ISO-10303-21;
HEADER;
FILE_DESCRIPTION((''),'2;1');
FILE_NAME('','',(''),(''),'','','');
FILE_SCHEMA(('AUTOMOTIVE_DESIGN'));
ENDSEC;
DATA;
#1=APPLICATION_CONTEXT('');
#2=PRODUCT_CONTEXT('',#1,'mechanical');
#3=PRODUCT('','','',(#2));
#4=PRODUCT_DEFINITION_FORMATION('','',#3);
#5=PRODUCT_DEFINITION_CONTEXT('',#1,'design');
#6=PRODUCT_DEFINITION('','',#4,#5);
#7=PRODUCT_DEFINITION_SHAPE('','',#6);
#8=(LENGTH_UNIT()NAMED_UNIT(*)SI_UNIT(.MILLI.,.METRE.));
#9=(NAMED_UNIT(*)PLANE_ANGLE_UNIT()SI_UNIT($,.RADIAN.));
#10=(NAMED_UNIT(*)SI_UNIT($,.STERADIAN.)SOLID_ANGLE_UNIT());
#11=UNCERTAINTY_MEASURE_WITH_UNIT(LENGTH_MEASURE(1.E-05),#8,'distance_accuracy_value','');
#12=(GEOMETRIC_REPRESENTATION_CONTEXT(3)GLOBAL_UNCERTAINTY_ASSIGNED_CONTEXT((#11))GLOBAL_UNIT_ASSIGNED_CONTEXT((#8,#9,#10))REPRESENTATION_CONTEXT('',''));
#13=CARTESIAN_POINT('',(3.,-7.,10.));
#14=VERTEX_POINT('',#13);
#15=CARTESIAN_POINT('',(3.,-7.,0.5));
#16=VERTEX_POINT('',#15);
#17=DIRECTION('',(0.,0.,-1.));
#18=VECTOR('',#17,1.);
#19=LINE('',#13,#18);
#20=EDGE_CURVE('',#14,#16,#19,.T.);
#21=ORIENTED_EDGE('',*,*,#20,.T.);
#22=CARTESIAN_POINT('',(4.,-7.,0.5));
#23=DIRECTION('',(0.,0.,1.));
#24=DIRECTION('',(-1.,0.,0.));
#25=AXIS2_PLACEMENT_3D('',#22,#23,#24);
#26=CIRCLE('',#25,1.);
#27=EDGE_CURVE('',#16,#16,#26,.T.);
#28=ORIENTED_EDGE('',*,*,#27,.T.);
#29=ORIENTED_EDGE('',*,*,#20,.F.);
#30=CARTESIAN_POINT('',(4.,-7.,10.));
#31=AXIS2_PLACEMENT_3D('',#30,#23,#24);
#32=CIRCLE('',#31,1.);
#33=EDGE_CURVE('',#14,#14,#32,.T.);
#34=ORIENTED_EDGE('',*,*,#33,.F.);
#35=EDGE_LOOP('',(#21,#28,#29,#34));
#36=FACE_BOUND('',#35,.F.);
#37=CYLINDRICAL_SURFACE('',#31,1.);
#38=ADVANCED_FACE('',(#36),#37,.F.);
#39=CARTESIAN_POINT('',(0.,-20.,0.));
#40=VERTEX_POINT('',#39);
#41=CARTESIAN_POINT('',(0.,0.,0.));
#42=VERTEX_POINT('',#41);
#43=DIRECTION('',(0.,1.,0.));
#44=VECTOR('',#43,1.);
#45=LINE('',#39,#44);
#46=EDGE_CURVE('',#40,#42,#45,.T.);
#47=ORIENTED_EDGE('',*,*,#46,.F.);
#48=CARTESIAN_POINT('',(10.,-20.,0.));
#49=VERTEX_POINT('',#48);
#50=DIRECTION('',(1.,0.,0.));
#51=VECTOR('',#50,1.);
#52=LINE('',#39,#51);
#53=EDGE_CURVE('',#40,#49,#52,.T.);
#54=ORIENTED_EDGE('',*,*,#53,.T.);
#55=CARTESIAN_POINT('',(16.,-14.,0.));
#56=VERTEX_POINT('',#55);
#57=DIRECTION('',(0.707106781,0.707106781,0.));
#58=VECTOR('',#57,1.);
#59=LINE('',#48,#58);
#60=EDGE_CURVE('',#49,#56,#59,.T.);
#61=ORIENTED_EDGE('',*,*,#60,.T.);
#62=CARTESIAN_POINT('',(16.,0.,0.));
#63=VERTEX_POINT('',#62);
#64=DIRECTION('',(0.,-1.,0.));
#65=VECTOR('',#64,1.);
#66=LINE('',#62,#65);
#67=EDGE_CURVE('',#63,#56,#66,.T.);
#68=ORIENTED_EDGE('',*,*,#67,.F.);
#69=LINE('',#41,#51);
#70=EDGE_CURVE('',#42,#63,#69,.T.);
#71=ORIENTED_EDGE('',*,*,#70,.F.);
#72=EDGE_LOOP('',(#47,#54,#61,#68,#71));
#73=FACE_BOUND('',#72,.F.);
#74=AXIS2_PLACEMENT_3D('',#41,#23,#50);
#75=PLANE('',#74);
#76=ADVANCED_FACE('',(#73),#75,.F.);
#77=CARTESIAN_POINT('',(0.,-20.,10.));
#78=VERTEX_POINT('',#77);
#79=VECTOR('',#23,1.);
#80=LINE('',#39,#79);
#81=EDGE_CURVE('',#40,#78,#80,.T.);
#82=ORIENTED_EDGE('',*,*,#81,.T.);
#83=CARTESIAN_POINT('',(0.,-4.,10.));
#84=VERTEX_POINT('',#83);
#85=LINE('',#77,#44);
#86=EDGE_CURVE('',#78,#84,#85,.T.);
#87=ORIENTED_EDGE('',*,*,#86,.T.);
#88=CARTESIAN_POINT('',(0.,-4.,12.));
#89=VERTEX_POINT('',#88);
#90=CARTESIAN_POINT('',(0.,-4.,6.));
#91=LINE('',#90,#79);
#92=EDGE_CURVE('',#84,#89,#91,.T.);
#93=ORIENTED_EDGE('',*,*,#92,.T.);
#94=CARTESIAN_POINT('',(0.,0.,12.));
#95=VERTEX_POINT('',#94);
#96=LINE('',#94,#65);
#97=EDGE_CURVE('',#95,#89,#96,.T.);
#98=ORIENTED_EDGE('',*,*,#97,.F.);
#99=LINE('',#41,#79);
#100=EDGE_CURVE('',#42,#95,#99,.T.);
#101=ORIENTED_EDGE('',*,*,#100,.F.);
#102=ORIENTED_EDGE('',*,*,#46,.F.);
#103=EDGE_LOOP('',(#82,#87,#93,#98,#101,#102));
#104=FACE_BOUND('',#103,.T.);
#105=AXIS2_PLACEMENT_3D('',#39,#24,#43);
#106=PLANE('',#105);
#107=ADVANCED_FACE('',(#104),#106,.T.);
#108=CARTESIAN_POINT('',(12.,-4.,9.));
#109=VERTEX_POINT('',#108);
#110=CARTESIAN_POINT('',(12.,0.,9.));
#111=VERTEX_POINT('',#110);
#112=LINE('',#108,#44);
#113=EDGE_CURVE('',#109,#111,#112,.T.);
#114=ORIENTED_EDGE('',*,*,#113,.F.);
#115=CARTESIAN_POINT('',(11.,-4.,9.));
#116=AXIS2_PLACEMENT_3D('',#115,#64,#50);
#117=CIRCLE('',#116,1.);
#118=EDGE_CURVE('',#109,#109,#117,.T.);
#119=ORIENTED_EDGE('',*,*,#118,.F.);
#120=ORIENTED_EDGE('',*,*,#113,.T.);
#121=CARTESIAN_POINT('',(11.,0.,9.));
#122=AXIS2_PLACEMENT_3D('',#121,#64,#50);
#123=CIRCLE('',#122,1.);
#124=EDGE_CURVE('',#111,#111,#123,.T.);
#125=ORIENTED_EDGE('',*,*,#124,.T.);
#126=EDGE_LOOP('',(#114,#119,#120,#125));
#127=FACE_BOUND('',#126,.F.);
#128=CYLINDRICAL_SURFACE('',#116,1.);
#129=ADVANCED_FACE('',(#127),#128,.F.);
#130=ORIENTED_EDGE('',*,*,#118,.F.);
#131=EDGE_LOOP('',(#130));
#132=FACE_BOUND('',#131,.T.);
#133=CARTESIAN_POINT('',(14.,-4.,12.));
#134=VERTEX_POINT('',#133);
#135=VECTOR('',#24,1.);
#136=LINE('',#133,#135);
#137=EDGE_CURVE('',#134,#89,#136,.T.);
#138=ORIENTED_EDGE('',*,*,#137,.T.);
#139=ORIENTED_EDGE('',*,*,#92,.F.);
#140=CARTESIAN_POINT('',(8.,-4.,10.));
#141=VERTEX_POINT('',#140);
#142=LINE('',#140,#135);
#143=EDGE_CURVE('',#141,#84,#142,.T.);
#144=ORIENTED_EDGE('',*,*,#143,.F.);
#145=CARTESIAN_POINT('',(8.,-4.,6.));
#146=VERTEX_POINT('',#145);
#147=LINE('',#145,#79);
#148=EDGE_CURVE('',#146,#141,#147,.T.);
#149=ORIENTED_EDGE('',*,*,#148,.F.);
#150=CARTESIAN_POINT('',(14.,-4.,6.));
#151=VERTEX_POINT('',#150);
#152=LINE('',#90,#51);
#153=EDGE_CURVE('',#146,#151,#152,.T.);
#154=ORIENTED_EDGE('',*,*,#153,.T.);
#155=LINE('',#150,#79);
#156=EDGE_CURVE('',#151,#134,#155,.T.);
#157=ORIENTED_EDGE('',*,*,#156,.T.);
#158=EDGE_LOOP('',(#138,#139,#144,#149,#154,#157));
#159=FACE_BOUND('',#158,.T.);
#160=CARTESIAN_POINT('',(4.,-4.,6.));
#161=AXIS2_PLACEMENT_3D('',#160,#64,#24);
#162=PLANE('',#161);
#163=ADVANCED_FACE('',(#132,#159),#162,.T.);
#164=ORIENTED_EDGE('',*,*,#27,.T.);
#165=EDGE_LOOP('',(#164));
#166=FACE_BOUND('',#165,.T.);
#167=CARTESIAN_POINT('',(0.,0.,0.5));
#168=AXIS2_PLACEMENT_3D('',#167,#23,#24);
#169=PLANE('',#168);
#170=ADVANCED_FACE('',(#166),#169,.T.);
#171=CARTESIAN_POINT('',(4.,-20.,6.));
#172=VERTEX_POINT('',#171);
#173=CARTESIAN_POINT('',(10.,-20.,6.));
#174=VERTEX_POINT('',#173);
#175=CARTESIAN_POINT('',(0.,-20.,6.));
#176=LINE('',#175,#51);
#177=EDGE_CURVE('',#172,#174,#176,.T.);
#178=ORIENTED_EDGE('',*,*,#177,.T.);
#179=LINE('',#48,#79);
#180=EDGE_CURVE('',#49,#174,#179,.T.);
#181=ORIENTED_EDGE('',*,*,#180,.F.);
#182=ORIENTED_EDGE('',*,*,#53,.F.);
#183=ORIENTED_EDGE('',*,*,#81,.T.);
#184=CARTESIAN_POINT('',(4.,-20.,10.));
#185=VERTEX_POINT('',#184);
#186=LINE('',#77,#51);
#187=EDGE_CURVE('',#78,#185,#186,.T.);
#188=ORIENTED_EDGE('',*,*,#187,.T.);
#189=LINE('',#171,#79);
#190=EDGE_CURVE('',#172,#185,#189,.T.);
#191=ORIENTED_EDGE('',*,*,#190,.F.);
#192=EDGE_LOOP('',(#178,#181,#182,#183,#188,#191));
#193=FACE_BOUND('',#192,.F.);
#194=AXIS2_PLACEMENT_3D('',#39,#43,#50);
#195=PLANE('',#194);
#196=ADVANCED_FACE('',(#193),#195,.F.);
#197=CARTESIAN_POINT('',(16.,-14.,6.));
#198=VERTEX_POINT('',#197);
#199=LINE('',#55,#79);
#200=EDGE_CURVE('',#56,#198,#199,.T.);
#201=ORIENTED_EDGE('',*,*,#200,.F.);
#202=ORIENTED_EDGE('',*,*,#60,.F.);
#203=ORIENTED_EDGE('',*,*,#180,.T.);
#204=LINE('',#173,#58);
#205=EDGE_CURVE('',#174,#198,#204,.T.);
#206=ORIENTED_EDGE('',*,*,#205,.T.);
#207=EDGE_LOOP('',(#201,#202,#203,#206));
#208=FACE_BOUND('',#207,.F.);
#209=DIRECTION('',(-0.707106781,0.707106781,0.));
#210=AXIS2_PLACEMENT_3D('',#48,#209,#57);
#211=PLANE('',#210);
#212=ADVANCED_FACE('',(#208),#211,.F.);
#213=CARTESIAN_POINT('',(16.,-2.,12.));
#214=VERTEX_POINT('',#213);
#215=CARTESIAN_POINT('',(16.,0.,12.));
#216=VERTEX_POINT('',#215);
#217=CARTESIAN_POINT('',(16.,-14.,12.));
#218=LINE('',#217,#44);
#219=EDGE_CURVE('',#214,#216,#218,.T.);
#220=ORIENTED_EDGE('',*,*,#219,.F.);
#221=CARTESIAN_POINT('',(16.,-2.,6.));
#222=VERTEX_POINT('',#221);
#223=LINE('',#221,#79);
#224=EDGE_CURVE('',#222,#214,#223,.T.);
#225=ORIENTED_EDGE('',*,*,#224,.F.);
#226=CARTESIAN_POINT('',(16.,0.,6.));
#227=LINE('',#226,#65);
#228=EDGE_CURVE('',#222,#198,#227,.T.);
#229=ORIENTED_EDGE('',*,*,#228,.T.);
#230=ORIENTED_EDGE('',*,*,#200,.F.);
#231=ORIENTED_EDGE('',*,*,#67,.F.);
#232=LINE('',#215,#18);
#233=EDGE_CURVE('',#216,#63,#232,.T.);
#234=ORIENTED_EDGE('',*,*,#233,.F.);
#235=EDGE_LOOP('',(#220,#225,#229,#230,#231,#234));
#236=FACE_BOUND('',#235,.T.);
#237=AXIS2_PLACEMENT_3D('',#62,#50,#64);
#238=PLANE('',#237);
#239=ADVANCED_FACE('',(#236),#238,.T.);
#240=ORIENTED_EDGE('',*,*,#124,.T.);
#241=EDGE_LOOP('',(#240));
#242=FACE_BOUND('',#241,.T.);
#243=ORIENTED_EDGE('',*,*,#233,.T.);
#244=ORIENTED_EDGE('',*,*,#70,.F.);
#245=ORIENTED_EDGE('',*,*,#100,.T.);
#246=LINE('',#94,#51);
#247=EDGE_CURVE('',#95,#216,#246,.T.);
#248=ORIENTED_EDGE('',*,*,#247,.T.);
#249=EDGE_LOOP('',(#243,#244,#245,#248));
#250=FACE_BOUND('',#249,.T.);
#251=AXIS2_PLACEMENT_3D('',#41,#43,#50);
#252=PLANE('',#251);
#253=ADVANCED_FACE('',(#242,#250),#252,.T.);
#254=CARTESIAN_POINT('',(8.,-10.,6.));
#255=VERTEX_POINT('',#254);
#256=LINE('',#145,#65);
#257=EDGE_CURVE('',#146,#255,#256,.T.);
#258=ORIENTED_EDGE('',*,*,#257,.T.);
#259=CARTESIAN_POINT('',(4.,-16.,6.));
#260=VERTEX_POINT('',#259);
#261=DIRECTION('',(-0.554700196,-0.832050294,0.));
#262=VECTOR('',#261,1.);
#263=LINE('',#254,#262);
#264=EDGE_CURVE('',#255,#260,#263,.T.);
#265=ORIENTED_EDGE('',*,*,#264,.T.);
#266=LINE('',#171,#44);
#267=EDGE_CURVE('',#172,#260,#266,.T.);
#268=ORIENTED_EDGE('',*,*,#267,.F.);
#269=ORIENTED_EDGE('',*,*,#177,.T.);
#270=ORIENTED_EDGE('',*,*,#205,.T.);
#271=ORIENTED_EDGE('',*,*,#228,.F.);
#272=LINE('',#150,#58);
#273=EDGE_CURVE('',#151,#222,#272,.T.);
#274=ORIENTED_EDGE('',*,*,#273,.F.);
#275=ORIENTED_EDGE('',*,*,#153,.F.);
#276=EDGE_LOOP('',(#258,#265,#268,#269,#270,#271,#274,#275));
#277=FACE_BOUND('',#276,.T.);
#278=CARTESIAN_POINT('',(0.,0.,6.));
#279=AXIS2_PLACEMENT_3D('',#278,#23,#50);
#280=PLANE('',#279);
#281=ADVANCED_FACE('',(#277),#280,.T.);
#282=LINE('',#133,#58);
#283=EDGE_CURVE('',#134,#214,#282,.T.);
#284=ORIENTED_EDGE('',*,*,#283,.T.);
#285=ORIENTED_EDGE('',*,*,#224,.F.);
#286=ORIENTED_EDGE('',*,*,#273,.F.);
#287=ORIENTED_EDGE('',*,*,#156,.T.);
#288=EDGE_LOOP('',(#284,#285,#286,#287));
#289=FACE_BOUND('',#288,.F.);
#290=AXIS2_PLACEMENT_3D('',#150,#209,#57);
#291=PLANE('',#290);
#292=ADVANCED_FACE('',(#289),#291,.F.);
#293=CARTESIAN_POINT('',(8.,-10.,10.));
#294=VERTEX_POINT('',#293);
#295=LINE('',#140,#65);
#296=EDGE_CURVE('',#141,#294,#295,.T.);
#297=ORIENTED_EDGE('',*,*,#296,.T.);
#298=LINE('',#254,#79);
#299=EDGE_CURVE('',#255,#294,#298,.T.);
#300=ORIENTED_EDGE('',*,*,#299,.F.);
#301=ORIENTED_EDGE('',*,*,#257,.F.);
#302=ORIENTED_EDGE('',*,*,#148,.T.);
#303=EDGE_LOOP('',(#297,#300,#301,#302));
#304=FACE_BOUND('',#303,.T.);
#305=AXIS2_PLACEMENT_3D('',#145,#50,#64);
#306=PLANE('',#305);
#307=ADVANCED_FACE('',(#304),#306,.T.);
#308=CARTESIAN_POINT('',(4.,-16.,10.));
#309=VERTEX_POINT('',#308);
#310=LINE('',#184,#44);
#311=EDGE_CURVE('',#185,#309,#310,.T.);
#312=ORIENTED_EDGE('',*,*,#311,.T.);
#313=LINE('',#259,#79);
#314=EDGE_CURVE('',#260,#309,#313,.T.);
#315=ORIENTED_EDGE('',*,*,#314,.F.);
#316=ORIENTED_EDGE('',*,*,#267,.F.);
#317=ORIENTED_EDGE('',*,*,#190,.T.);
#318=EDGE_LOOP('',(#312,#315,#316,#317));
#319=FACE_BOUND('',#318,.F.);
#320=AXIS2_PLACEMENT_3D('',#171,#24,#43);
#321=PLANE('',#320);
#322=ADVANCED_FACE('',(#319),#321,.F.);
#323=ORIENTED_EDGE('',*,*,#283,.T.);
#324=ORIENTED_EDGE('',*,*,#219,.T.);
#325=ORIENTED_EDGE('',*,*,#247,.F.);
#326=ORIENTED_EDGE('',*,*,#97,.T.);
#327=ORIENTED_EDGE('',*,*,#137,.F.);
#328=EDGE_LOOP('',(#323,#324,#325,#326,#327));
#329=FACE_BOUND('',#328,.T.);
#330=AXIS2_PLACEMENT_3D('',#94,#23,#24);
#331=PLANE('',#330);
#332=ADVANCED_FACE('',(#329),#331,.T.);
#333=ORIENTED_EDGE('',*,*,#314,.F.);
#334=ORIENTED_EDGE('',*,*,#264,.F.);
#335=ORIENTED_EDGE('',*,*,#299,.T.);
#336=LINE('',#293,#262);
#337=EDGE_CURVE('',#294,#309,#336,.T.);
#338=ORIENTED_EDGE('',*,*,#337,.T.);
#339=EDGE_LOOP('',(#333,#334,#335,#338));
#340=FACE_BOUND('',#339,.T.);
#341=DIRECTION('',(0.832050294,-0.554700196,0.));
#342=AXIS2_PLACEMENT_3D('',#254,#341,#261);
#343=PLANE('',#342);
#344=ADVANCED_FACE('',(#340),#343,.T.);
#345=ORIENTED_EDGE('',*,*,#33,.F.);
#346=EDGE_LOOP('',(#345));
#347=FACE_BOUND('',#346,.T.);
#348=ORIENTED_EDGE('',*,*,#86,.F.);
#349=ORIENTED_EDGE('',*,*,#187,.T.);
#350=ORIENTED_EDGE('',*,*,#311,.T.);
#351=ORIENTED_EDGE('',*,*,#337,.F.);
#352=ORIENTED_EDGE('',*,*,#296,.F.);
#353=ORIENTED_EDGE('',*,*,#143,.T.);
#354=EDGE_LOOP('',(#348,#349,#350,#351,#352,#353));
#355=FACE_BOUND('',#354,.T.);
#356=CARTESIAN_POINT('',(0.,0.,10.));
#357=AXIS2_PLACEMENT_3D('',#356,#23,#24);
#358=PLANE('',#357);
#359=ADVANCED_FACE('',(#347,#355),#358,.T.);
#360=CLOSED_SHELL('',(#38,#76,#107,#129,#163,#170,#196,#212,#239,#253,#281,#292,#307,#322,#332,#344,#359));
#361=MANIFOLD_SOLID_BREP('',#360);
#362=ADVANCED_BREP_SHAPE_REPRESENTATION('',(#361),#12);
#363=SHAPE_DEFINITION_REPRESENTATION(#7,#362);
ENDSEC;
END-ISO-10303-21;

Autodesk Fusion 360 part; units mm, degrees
sketch "Sketch1" plane through (0, 0, 0) normal (0, 0, 1) x (1, 0, 0)
  line L0 (0, 0) -> (16, 0)
  line L1 (16, 0) -> (16, -14)
  line L2 (0, -20) -> (10, -20)
  line L3 (0, -20) -> (0, 0)
  line L4 (10, -20) -> (16, -14)
  dimension "d1" = 16
  dimension "d2" = 14
  dimension "d3" = 10
  dimension "d4" = 20
extrude "Extrude1" add sketch "Sketch1" along normal blind 6
sketch "Sketch2" plane through (0, 0, 6) normal (0, 0, 1) x (-1, 0, 0)
  line L0 (0, 20) -> (-10, 20)
  line L1 (-10, 20) -> (-16, 14)
  line L2 (-16, 14) -> (-16, 0)
  line L3 (-16, 0) -> (0, 0)
  line L4 (0, 0) -> (0, 20)
  line L5 (0, 0) -> (-14, 0)
  line L6 (-14, 0) -> (-14, 4)
  line L7 (-14, 4) -> (0, 4)
  line L8 (0, 4) -> (0, 0)
  line L9 (-14, 4) -> (-16, 2)
  line L10 (-14, 4) -> (-11.1716, 4) construction
  line L11 (0, 20) -> (-4, 20)
  line L12 (-4, 20) -> (-4, 4)
  line L13 (-4, 4) -> (0, 4)
  line L14 (0, 4) -> (0, 20)
  line L15 (0, 4) -> (-8, 4)
  line L16 (-8, 4) -> (-8, 10)
  line L17 (-8, 10) -> (0, 10)
  line L18 (0, 10) -> (0, 4)
  line L19 (-8, 10) -> (-4, 16)
  dimension "d7" = 14
  dimension "d8" = 4
  dimension "d9" = 135
  dimension "d10" = 4
  dimension "d11" = 8
  dimension "d12" = 6
  dimension "d13" = 4
extrude "Extrude2" add sketch "Sketch2" along normal blind 4 contours L0 L4 L11 L12 L14 L17 | L4 L7 L12 L13 L14 L15 L17 L18 | L12 L17 L19 | L7 L12 L15 L16 L17
extrude "Extrude3" add sketch "Sketch2" along normal blind 6 contours L3 L4 L5 L6 L7 L8 L13 L15 | L2 L3 L6 L9
sketch "Sketch3" plane through (0, -4, 0) normal (0, -1, 0) x (1, 0, 0)
  line L0 (0, 10) -> (8, 10)
  line L1 (8, 10) -> (8, 6)
  line L2 (8, 6) -> (14, 6)
  line L3 (14, 6) -> (14, 12)
  line L4 (14, 12) -> (0, 12)
  line L5 (0, 12) -> (0, 10)
  circle A0 centre (11, 9) radius 1
  dimension "d18" = 2
  dimension "d19" = 3
  dimension "d20" = 3
extrude "Extrude4" cut sketch "Sketch3" against normal blind 9 contours A0
sketch "Sketch4" plane through (0, 0, 10) normal (0, 0, 1) x (-1, 0, 0)
  line L0 (0, 4) -> (0, 20)
  line L1 (0, 20) -> (-4, 20)
  line L2 (-4, 20) -> (-4, 16)
  line L3 (-4, 16) -> (-8, 10)
  line L4 (-8, 10) -> (-8, 4)
  line L5 (-8, 4) -> (0, 4)
  circle A0 centre (-4, 7) radius 1
  dimension "d23" = 2
  dimension "d24" = 4
  dimension "d25" = 3
extrude "Extrude5" cut sketch "Sketch4" against normal blind 9.5 contours A0
